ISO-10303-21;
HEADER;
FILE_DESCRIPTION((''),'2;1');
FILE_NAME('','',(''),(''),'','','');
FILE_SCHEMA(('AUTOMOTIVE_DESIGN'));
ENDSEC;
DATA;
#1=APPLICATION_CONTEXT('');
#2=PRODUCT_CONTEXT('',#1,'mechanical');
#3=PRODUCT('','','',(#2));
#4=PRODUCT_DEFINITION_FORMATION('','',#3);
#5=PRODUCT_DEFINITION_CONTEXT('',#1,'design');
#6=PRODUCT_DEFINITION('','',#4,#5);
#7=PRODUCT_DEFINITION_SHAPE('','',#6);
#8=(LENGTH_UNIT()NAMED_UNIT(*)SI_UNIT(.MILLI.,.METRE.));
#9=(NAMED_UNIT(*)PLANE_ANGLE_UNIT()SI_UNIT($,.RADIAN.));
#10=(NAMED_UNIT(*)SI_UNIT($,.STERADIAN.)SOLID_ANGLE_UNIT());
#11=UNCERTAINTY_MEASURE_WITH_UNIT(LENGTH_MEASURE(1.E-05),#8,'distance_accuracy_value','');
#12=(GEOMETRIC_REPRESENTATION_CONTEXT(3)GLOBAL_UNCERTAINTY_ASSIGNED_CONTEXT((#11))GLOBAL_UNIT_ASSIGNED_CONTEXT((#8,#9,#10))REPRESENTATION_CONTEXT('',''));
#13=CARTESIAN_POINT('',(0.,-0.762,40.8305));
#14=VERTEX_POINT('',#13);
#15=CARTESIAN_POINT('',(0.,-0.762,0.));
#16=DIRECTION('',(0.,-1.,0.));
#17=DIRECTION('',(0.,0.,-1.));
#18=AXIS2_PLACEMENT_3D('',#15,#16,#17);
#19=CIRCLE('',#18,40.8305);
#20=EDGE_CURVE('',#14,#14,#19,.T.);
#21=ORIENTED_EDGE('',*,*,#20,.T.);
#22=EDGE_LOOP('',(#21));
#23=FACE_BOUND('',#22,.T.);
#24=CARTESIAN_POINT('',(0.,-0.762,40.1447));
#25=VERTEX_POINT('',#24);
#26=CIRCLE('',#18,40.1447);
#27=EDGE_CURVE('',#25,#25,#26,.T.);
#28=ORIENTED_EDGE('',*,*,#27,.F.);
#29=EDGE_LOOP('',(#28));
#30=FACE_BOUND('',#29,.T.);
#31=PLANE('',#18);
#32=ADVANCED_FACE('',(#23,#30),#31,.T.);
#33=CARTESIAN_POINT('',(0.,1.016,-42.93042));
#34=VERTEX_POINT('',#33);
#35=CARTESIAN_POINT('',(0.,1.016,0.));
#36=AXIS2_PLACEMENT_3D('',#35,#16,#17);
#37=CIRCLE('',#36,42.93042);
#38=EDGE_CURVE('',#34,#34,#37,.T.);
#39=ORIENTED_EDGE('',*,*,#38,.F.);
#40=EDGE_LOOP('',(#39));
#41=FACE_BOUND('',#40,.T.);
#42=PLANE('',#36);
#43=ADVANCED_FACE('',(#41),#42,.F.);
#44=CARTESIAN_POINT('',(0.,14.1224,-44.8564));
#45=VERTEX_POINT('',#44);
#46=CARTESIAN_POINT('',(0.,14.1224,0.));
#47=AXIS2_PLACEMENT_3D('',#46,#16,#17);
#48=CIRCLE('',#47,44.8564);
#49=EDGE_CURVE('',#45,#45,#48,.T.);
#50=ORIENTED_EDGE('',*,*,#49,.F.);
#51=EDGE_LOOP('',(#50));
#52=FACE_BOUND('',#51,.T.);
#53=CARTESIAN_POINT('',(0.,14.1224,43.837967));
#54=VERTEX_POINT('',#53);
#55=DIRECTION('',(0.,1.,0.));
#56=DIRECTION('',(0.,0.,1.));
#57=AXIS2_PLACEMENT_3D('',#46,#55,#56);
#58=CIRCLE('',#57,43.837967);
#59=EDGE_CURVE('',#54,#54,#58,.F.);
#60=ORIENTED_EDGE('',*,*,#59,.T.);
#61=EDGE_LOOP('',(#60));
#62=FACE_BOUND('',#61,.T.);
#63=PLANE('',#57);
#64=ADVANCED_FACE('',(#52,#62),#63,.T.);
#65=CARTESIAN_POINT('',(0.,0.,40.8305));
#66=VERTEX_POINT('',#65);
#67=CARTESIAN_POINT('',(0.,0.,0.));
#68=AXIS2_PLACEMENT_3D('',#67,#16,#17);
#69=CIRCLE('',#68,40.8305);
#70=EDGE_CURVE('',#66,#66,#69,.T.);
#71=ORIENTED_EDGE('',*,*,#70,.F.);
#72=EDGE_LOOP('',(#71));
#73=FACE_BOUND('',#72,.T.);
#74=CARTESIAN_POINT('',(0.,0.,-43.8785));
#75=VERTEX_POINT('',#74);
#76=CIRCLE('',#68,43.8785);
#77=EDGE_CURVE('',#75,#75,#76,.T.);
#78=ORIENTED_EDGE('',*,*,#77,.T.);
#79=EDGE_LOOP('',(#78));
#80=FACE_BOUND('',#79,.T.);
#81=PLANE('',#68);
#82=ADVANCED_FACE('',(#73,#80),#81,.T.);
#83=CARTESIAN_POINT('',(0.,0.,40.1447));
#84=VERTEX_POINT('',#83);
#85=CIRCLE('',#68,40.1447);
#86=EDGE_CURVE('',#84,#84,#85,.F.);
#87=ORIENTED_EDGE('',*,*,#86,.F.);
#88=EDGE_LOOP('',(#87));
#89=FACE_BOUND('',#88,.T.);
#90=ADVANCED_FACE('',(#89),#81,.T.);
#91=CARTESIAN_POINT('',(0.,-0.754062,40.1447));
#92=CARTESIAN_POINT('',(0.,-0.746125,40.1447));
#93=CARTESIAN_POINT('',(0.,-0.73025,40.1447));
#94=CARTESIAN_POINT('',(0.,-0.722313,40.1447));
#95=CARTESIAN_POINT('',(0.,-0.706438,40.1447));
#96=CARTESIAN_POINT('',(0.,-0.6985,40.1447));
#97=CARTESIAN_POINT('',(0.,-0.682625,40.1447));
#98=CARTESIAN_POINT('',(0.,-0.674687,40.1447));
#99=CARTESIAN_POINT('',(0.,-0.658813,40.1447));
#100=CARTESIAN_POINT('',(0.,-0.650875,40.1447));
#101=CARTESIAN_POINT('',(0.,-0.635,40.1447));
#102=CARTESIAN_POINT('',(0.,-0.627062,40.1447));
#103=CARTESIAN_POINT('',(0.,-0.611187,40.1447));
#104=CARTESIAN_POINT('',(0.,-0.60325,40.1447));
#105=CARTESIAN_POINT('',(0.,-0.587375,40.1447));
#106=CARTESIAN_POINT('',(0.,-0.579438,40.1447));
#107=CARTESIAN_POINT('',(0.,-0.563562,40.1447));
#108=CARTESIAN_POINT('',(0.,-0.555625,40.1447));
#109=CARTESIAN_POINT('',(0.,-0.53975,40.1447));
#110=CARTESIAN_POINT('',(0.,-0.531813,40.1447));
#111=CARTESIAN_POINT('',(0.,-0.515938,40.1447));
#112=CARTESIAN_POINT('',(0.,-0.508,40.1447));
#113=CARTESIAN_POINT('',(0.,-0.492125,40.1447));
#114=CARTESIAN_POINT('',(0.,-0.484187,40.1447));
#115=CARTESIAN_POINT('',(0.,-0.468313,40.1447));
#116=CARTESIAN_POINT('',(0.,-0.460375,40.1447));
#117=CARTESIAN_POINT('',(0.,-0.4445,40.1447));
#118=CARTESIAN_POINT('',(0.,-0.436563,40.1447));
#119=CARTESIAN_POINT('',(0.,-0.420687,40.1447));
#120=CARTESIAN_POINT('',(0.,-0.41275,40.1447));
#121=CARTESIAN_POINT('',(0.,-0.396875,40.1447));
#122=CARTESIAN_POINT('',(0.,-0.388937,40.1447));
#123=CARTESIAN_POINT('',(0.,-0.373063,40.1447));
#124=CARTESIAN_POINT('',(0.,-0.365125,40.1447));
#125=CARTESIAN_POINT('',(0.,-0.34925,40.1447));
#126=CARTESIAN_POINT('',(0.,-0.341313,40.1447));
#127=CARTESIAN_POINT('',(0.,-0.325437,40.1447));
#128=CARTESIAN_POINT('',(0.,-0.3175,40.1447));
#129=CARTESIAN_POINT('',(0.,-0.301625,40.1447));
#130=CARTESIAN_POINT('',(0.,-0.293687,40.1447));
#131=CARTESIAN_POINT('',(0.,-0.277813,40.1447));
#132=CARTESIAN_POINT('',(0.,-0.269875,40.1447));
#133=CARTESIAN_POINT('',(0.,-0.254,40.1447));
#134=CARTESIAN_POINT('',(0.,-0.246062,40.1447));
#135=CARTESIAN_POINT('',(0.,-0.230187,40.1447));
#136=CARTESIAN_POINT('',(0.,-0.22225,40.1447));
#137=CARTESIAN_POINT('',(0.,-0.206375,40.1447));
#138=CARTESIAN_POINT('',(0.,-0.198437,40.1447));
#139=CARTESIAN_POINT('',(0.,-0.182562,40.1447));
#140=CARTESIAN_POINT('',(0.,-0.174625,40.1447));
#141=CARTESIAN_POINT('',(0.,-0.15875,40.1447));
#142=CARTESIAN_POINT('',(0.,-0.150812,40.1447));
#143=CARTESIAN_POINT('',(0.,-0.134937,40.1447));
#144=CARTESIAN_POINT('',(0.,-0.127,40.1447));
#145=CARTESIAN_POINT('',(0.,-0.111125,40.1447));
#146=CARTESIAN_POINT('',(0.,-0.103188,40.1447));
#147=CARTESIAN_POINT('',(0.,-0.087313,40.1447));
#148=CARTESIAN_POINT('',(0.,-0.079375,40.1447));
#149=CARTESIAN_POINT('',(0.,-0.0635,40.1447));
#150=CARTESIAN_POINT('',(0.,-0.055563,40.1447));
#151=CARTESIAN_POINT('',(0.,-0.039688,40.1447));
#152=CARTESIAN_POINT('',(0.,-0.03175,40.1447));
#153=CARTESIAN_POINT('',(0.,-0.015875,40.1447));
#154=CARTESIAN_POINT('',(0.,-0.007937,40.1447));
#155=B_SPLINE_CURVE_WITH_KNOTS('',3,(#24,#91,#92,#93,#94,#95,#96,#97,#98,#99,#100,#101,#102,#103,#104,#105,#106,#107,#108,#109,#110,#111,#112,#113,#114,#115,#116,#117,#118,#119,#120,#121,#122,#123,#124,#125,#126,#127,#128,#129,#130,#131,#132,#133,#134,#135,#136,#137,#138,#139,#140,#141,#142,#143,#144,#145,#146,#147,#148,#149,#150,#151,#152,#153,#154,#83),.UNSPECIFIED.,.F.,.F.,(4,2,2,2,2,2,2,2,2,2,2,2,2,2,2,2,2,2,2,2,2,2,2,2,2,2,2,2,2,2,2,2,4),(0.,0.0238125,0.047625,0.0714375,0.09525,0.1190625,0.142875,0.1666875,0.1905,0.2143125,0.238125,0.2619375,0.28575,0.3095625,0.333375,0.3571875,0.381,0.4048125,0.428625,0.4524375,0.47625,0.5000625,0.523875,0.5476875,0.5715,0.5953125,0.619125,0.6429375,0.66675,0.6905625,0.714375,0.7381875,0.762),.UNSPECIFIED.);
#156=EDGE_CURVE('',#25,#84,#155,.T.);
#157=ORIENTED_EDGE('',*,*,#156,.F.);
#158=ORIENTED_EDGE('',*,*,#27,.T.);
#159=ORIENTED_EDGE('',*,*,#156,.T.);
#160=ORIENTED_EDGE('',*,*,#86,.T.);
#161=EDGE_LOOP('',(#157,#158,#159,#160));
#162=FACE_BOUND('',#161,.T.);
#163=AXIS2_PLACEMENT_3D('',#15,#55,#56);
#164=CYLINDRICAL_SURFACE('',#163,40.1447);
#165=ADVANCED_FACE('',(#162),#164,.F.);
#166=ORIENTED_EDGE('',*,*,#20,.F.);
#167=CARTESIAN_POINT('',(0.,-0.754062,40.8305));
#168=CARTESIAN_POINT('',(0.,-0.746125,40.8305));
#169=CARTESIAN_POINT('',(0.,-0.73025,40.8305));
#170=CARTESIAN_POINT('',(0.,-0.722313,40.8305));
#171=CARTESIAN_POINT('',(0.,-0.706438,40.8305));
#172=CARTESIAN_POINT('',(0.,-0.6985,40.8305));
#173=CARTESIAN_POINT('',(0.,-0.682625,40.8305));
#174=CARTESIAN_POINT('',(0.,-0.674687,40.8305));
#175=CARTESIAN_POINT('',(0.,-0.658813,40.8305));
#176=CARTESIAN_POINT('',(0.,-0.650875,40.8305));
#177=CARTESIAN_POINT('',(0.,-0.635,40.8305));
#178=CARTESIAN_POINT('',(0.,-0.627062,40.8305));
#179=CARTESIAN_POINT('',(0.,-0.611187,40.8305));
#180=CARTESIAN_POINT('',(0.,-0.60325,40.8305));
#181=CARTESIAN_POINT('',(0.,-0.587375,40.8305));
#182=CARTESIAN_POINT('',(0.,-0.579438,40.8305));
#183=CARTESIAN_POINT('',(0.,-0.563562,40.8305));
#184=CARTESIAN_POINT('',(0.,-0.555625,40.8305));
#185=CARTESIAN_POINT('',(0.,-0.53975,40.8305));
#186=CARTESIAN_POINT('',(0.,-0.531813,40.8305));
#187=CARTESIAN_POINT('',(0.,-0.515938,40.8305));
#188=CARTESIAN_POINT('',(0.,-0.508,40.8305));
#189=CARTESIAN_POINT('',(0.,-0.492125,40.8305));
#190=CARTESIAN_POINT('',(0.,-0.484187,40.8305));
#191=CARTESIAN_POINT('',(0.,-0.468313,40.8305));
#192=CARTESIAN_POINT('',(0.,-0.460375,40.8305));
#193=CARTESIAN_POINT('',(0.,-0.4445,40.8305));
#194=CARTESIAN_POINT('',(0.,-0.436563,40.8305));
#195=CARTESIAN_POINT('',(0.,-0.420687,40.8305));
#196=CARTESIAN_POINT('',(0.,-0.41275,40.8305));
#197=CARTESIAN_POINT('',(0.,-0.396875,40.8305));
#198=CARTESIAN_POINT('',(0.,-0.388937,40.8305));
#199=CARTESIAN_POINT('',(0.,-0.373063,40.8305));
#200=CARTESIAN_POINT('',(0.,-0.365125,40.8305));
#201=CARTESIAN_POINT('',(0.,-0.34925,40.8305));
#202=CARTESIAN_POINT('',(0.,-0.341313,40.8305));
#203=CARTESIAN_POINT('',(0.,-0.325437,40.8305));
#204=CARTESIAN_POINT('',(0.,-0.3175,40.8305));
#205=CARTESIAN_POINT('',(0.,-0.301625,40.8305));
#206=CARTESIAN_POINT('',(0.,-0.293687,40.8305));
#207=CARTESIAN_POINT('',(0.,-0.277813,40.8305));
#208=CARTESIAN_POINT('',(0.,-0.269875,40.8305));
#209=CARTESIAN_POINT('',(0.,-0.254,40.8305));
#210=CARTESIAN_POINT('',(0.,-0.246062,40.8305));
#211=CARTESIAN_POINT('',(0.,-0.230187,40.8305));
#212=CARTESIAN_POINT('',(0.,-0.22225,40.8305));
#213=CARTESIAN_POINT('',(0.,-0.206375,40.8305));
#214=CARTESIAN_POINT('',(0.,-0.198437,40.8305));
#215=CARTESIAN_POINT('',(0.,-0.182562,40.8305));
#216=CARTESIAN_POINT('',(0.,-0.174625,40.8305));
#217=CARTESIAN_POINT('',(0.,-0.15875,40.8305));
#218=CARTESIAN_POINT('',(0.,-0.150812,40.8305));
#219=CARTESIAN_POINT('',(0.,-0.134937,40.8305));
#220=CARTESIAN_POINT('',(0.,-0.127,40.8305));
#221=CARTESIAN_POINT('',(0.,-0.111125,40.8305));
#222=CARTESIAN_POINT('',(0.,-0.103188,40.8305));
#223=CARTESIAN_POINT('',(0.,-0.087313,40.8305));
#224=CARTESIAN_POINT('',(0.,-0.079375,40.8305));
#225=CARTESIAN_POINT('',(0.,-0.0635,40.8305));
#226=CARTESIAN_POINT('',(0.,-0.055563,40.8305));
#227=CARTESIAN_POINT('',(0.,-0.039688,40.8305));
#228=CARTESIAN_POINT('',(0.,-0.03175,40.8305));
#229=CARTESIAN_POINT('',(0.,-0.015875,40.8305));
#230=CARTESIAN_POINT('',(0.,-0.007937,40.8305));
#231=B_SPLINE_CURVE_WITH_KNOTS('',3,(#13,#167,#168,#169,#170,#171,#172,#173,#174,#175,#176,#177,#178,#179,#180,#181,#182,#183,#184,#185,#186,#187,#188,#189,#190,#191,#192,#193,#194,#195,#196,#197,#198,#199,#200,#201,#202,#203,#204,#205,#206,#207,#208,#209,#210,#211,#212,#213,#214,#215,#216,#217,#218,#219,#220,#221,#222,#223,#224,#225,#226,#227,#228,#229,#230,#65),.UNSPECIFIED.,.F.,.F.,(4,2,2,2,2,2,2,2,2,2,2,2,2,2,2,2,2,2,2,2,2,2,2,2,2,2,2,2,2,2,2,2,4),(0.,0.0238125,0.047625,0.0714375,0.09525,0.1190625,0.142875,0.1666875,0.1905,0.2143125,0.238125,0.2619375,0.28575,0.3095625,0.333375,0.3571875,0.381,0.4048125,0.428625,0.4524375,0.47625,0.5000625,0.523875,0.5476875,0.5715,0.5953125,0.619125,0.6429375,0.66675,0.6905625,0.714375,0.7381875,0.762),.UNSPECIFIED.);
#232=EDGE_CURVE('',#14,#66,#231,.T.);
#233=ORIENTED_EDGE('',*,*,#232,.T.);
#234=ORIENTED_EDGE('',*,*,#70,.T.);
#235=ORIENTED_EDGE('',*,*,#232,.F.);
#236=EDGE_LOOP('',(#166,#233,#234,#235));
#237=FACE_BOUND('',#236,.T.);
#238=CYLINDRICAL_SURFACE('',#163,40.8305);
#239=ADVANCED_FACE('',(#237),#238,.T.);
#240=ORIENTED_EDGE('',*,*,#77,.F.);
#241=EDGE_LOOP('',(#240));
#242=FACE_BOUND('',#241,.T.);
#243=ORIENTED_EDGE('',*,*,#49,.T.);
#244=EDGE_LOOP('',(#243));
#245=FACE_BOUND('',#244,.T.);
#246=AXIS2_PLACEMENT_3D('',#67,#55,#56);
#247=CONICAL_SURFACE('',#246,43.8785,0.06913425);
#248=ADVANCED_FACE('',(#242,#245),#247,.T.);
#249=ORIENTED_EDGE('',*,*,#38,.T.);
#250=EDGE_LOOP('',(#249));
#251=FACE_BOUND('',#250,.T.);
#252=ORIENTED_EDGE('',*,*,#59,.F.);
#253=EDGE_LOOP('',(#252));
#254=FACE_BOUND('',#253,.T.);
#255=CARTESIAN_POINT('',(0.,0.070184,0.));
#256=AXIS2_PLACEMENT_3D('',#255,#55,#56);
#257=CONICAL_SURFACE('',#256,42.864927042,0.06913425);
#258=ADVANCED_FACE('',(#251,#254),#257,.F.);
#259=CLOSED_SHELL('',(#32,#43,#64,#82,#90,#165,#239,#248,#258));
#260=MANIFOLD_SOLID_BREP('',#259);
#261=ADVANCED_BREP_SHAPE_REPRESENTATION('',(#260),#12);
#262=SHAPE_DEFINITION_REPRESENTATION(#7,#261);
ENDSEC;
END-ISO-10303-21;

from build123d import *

# Parameters (mm, degrees)
SHELL1_T            = -1.016
SKETCH3_R           = 40.8305
SKETCH3_R_2         = 40.1447
BOSS_EXTRUDE1_DEPTH = 0.762


with BuildPart() as part:
    # Sketch2 → Revolve1 (revolve)
    with BuildSketch(Plane.XY, mode=Mode.PRIVATE) as revolve1_sk:
        Polygon((0, 0), (43.8785, 0), (44.8564, 14.1224), (0, 14.1224), align=None)
    revolve(revolve1_sk.sketch.rotate(Axis((0, 0, 0), (0, 1, 0)), 90), axis=Axis((0, 0, 0), (0, 1, 0)))

    # Shell1
    shell1_openings = [part.faces().sort_by_distance(p)[0] for p in [
        (0, 14.1224, 0),
    ]]
    offset(amount=SHELL1_T, openings=shell1_openings, kind=Kind.INTERSECTION)

    # Sketch3 → Boss-Extrude1 (add)
    with BuildSketch(Plane.XZ):
        with Locations(Location((0, 0, 0), (0, 0, 90))):
            Circle(SKETCH3_R)
        with Locations(Location((0, 0, 0), (0, 0, 90))):
            Circle(SKETCH3_R_2, mode=Mode.SUBTRACT)
    extrude(amount=BOSS_EXTRUDE1_DEPTH)


solid = part.part
